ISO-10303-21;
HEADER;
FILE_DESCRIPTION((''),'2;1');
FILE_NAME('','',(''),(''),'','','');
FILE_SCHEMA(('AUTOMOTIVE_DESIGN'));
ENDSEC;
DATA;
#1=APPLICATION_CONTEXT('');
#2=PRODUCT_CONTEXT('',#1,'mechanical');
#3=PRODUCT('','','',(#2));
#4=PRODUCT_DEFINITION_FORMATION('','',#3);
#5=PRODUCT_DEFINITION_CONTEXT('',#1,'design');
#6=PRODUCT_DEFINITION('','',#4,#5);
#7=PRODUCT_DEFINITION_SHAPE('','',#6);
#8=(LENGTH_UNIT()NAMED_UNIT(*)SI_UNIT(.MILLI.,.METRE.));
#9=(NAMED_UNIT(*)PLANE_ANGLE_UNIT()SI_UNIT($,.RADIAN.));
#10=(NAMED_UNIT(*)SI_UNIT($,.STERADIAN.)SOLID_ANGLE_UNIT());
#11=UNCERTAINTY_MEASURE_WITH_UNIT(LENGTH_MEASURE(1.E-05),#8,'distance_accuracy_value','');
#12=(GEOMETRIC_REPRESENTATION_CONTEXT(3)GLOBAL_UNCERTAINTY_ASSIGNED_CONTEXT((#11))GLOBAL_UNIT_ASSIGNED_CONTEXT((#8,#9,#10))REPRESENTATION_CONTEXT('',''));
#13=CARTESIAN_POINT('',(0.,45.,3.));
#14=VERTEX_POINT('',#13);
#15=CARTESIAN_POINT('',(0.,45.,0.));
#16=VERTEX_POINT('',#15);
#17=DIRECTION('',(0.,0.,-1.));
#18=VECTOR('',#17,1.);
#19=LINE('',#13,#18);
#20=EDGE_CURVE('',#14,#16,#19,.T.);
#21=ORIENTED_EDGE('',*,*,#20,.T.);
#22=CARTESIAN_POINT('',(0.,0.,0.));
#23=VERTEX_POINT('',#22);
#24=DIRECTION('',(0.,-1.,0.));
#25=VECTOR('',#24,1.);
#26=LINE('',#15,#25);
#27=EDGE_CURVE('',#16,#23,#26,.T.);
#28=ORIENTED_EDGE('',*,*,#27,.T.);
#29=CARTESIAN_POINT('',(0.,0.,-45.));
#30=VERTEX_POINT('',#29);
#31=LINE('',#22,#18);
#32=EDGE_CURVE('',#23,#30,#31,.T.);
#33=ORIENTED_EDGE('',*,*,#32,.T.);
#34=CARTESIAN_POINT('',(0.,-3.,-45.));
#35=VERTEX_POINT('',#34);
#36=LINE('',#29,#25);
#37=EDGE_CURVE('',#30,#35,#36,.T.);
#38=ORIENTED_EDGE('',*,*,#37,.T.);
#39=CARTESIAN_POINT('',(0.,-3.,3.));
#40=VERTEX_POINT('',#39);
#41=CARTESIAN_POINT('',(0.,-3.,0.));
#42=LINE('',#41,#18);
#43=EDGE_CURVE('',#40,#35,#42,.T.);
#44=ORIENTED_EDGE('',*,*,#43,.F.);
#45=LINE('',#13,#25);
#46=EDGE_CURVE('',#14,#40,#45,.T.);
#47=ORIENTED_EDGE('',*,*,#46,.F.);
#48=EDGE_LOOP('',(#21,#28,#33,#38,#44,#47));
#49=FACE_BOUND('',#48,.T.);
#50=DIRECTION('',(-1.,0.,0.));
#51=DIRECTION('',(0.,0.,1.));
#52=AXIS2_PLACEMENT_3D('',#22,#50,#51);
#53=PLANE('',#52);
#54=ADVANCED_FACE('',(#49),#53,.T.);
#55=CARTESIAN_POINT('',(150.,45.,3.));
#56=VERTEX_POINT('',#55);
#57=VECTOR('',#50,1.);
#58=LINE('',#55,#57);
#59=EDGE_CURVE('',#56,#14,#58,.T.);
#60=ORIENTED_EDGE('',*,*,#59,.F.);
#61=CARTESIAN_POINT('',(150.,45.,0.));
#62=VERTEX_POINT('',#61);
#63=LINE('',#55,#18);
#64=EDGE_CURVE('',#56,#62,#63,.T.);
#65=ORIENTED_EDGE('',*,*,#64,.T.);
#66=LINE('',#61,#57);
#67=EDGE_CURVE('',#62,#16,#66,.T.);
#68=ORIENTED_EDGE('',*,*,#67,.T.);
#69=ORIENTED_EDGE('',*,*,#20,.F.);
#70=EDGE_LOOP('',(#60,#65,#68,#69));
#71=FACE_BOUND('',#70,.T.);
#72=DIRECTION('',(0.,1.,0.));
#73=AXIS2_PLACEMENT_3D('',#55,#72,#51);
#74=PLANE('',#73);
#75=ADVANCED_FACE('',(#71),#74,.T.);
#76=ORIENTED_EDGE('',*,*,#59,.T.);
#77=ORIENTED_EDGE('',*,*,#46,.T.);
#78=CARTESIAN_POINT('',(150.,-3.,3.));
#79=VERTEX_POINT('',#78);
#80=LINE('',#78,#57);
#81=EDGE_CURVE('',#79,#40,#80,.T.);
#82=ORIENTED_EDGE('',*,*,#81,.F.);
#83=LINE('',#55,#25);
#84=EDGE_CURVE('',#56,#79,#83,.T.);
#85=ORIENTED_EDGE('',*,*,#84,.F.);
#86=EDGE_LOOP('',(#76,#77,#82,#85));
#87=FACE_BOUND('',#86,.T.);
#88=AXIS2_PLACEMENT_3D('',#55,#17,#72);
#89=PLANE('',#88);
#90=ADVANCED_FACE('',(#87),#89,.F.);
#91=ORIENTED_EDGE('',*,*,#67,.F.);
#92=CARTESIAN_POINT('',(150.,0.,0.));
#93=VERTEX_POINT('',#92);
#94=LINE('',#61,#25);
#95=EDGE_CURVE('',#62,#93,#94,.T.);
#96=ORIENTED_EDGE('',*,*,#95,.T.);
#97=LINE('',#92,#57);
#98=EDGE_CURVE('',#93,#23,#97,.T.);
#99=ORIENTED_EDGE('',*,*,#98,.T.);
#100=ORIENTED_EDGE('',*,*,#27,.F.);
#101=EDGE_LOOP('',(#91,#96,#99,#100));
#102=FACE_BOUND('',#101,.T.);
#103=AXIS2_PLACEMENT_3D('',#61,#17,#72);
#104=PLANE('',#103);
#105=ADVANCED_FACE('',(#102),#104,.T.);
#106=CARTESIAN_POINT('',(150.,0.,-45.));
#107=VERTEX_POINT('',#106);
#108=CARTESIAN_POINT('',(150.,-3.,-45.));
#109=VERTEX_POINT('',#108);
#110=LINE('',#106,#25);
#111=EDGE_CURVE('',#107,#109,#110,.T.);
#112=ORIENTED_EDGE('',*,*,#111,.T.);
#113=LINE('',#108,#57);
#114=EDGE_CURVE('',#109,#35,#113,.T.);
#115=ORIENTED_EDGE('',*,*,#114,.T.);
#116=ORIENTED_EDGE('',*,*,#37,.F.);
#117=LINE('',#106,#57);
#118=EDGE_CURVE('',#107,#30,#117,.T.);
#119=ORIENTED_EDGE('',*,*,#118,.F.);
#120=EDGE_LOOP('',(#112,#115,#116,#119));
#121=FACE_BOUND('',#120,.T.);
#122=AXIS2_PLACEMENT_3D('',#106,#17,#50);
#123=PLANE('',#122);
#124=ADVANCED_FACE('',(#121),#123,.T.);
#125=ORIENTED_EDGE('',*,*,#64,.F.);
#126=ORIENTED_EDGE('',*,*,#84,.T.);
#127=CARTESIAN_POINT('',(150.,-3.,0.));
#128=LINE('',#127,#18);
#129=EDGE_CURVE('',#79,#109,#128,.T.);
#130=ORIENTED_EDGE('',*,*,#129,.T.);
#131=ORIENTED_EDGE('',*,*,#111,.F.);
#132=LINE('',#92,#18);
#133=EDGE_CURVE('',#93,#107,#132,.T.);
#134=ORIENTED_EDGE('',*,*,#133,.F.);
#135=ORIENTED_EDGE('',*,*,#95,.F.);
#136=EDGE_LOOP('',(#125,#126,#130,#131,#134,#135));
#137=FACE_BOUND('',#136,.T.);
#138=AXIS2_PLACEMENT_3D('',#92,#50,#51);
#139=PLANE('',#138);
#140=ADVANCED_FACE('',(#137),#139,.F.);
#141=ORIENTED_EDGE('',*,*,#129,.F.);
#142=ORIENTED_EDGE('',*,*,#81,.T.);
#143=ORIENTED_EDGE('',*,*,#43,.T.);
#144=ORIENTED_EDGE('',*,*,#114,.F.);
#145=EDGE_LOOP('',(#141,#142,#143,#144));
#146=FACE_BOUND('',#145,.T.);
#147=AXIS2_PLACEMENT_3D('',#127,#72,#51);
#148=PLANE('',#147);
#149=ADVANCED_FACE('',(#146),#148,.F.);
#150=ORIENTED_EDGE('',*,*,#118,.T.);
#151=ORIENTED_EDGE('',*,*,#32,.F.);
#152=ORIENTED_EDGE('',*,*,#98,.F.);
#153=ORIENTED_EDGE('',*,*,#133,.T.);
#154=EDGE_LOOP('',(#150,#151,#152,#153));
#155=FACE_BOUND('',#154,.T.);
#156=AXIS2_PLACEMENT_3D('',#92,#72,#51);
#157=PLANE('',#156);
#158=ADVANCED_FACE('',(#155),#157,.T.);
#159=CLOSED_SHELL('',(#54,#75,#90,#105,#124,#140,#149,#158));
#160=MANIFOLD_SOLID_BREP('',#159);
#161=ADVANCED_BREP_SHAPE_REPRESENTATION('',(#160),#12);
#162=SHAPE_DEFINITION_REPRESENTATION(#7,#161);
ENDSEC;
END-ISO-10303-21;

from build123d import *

# Parameters (mm, degrees)
EXTRUDE_1_DEPTH = 150


with BuildPart() as part:
    # Эскиз1 → Вытянуть-Тонкостенный1 (new body)
    with BuildSketch(Plane(origin=(0, 0, 0), x_dir=(0, 0, -1), z_dir=(1, 0, 0))):
        Polygon((0, 45), (0, 0), (45, 0), (45, -3), (-3, -3), (-3, 45), align=None)
    extrude(amount=EXTRUDE_1_DEPTH)


solid = part.part
